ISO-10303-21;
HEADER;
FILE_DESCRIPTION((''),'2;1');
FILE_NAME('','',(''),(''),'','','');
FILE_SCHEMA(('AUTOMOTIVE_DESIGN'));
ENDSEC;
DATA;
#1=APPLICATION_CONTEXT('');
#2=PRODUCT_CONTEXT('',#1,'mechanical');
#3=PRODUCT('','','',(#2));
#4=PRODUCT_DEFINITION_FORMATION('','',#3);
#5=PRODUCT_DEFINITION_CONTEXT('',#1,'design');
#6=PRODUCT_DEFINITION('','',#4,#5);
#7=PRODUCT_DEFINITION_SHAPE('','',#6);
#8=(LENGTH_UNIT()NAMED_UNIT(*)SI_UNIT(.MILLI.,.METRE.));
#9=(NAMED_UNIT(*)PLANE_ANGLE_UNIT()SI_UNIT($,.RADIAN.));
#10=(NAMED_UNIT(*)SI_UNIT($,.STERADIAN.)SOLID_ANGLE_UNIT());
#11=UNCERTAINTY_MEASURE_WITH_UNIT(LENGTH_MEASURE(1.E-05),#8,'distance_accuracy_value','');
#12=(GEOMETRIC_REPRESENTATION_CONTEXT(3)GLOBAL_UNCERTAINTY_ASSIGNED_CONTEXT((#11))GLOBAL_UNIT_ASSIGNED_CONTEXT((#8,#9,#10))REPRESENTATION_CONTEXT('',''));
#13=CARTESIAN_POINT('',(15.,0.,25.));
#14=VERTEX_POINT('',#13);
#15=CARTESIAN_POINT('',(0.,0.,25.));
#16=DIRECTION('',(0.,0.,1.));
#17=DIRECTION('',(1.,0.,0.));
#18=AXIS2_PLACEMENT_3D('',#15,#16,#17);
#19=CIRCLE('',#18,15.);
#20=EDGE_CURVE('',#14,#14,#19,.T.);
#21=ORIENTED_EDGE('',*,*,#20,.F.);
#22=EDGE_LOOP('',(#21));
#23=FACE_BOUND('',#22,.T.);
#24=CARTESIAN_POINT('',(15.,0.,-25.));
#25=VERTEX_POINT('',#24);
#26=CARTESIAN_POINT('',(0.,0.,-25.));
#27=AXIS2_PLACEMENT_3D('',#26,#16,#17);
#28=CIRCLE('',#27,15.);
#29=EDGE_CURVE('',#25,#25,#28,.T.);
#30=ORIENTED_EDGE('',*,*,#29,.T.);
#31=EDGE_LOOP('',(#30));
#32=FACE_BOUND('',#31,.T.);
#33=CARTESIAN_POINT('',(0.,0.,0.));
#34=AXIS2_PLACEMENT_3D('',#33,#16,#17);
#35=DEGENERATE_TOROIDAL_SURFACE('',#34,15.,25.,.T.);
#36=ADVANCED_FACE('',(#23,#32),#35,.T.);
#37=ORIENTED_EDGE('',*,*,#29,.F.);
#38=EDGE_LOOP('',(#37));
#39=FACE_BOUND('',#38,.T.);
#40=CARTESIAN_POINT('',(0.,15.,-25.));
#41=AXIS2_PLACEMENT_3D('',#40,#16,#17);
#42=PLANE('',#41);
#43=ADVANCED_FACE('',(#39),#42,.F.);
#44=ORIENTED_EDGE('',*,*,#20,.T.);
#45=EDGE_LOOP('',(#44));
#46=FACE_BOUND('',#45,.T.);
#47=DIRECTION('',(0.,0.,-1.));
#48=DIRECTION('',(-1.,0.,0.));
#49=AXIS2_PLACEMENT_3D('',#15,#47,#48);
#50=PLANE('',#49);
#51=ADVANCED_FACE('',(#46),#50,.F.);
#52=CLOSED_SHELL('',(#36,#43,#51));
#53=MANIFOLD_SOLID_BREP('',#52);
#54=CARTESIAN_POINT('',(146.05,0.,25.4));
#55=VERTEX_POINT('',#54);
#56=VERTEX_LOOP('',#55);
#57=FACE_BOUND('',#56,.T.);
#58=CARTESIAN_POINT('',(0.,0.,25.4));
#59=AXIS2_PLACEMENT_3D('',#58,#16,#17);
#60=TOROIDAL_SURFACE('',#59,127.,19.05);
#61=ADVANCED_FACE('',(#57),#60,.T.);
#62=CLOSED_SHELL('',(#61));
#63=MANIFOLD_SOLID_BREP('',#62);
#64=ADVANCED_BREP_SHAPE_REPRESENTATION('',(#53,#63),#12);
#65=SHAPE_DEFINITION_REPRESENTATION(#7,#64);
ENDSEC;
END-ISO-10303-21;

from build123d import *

# Parameters (mm, degrees)
SKETCH1_R = 19.05


with BuildPart() as part:
    # Sketch1 → Revolve1 (revolve)
    with BuildSketch(Plane(origin=(0, 0, 0), x_dir=(0, 0, -1), z_dir=(1, 0, 0))):
        with Locations((-25.4, 127)):
            Circle(SKETCH1_R)
        with BuildLine():
            Line((-25, 0), (25, 0))
            Line((25, 0), (25, 15))
            ThreePointArc((25, 15), (0, 40), (-25, 15))
            Line((-25, 15), (-25, 0))
        make_face()
    revolve(axis=Axis((0, 0, 113.596885813), (0, 0, -1)))


solid = part.part
